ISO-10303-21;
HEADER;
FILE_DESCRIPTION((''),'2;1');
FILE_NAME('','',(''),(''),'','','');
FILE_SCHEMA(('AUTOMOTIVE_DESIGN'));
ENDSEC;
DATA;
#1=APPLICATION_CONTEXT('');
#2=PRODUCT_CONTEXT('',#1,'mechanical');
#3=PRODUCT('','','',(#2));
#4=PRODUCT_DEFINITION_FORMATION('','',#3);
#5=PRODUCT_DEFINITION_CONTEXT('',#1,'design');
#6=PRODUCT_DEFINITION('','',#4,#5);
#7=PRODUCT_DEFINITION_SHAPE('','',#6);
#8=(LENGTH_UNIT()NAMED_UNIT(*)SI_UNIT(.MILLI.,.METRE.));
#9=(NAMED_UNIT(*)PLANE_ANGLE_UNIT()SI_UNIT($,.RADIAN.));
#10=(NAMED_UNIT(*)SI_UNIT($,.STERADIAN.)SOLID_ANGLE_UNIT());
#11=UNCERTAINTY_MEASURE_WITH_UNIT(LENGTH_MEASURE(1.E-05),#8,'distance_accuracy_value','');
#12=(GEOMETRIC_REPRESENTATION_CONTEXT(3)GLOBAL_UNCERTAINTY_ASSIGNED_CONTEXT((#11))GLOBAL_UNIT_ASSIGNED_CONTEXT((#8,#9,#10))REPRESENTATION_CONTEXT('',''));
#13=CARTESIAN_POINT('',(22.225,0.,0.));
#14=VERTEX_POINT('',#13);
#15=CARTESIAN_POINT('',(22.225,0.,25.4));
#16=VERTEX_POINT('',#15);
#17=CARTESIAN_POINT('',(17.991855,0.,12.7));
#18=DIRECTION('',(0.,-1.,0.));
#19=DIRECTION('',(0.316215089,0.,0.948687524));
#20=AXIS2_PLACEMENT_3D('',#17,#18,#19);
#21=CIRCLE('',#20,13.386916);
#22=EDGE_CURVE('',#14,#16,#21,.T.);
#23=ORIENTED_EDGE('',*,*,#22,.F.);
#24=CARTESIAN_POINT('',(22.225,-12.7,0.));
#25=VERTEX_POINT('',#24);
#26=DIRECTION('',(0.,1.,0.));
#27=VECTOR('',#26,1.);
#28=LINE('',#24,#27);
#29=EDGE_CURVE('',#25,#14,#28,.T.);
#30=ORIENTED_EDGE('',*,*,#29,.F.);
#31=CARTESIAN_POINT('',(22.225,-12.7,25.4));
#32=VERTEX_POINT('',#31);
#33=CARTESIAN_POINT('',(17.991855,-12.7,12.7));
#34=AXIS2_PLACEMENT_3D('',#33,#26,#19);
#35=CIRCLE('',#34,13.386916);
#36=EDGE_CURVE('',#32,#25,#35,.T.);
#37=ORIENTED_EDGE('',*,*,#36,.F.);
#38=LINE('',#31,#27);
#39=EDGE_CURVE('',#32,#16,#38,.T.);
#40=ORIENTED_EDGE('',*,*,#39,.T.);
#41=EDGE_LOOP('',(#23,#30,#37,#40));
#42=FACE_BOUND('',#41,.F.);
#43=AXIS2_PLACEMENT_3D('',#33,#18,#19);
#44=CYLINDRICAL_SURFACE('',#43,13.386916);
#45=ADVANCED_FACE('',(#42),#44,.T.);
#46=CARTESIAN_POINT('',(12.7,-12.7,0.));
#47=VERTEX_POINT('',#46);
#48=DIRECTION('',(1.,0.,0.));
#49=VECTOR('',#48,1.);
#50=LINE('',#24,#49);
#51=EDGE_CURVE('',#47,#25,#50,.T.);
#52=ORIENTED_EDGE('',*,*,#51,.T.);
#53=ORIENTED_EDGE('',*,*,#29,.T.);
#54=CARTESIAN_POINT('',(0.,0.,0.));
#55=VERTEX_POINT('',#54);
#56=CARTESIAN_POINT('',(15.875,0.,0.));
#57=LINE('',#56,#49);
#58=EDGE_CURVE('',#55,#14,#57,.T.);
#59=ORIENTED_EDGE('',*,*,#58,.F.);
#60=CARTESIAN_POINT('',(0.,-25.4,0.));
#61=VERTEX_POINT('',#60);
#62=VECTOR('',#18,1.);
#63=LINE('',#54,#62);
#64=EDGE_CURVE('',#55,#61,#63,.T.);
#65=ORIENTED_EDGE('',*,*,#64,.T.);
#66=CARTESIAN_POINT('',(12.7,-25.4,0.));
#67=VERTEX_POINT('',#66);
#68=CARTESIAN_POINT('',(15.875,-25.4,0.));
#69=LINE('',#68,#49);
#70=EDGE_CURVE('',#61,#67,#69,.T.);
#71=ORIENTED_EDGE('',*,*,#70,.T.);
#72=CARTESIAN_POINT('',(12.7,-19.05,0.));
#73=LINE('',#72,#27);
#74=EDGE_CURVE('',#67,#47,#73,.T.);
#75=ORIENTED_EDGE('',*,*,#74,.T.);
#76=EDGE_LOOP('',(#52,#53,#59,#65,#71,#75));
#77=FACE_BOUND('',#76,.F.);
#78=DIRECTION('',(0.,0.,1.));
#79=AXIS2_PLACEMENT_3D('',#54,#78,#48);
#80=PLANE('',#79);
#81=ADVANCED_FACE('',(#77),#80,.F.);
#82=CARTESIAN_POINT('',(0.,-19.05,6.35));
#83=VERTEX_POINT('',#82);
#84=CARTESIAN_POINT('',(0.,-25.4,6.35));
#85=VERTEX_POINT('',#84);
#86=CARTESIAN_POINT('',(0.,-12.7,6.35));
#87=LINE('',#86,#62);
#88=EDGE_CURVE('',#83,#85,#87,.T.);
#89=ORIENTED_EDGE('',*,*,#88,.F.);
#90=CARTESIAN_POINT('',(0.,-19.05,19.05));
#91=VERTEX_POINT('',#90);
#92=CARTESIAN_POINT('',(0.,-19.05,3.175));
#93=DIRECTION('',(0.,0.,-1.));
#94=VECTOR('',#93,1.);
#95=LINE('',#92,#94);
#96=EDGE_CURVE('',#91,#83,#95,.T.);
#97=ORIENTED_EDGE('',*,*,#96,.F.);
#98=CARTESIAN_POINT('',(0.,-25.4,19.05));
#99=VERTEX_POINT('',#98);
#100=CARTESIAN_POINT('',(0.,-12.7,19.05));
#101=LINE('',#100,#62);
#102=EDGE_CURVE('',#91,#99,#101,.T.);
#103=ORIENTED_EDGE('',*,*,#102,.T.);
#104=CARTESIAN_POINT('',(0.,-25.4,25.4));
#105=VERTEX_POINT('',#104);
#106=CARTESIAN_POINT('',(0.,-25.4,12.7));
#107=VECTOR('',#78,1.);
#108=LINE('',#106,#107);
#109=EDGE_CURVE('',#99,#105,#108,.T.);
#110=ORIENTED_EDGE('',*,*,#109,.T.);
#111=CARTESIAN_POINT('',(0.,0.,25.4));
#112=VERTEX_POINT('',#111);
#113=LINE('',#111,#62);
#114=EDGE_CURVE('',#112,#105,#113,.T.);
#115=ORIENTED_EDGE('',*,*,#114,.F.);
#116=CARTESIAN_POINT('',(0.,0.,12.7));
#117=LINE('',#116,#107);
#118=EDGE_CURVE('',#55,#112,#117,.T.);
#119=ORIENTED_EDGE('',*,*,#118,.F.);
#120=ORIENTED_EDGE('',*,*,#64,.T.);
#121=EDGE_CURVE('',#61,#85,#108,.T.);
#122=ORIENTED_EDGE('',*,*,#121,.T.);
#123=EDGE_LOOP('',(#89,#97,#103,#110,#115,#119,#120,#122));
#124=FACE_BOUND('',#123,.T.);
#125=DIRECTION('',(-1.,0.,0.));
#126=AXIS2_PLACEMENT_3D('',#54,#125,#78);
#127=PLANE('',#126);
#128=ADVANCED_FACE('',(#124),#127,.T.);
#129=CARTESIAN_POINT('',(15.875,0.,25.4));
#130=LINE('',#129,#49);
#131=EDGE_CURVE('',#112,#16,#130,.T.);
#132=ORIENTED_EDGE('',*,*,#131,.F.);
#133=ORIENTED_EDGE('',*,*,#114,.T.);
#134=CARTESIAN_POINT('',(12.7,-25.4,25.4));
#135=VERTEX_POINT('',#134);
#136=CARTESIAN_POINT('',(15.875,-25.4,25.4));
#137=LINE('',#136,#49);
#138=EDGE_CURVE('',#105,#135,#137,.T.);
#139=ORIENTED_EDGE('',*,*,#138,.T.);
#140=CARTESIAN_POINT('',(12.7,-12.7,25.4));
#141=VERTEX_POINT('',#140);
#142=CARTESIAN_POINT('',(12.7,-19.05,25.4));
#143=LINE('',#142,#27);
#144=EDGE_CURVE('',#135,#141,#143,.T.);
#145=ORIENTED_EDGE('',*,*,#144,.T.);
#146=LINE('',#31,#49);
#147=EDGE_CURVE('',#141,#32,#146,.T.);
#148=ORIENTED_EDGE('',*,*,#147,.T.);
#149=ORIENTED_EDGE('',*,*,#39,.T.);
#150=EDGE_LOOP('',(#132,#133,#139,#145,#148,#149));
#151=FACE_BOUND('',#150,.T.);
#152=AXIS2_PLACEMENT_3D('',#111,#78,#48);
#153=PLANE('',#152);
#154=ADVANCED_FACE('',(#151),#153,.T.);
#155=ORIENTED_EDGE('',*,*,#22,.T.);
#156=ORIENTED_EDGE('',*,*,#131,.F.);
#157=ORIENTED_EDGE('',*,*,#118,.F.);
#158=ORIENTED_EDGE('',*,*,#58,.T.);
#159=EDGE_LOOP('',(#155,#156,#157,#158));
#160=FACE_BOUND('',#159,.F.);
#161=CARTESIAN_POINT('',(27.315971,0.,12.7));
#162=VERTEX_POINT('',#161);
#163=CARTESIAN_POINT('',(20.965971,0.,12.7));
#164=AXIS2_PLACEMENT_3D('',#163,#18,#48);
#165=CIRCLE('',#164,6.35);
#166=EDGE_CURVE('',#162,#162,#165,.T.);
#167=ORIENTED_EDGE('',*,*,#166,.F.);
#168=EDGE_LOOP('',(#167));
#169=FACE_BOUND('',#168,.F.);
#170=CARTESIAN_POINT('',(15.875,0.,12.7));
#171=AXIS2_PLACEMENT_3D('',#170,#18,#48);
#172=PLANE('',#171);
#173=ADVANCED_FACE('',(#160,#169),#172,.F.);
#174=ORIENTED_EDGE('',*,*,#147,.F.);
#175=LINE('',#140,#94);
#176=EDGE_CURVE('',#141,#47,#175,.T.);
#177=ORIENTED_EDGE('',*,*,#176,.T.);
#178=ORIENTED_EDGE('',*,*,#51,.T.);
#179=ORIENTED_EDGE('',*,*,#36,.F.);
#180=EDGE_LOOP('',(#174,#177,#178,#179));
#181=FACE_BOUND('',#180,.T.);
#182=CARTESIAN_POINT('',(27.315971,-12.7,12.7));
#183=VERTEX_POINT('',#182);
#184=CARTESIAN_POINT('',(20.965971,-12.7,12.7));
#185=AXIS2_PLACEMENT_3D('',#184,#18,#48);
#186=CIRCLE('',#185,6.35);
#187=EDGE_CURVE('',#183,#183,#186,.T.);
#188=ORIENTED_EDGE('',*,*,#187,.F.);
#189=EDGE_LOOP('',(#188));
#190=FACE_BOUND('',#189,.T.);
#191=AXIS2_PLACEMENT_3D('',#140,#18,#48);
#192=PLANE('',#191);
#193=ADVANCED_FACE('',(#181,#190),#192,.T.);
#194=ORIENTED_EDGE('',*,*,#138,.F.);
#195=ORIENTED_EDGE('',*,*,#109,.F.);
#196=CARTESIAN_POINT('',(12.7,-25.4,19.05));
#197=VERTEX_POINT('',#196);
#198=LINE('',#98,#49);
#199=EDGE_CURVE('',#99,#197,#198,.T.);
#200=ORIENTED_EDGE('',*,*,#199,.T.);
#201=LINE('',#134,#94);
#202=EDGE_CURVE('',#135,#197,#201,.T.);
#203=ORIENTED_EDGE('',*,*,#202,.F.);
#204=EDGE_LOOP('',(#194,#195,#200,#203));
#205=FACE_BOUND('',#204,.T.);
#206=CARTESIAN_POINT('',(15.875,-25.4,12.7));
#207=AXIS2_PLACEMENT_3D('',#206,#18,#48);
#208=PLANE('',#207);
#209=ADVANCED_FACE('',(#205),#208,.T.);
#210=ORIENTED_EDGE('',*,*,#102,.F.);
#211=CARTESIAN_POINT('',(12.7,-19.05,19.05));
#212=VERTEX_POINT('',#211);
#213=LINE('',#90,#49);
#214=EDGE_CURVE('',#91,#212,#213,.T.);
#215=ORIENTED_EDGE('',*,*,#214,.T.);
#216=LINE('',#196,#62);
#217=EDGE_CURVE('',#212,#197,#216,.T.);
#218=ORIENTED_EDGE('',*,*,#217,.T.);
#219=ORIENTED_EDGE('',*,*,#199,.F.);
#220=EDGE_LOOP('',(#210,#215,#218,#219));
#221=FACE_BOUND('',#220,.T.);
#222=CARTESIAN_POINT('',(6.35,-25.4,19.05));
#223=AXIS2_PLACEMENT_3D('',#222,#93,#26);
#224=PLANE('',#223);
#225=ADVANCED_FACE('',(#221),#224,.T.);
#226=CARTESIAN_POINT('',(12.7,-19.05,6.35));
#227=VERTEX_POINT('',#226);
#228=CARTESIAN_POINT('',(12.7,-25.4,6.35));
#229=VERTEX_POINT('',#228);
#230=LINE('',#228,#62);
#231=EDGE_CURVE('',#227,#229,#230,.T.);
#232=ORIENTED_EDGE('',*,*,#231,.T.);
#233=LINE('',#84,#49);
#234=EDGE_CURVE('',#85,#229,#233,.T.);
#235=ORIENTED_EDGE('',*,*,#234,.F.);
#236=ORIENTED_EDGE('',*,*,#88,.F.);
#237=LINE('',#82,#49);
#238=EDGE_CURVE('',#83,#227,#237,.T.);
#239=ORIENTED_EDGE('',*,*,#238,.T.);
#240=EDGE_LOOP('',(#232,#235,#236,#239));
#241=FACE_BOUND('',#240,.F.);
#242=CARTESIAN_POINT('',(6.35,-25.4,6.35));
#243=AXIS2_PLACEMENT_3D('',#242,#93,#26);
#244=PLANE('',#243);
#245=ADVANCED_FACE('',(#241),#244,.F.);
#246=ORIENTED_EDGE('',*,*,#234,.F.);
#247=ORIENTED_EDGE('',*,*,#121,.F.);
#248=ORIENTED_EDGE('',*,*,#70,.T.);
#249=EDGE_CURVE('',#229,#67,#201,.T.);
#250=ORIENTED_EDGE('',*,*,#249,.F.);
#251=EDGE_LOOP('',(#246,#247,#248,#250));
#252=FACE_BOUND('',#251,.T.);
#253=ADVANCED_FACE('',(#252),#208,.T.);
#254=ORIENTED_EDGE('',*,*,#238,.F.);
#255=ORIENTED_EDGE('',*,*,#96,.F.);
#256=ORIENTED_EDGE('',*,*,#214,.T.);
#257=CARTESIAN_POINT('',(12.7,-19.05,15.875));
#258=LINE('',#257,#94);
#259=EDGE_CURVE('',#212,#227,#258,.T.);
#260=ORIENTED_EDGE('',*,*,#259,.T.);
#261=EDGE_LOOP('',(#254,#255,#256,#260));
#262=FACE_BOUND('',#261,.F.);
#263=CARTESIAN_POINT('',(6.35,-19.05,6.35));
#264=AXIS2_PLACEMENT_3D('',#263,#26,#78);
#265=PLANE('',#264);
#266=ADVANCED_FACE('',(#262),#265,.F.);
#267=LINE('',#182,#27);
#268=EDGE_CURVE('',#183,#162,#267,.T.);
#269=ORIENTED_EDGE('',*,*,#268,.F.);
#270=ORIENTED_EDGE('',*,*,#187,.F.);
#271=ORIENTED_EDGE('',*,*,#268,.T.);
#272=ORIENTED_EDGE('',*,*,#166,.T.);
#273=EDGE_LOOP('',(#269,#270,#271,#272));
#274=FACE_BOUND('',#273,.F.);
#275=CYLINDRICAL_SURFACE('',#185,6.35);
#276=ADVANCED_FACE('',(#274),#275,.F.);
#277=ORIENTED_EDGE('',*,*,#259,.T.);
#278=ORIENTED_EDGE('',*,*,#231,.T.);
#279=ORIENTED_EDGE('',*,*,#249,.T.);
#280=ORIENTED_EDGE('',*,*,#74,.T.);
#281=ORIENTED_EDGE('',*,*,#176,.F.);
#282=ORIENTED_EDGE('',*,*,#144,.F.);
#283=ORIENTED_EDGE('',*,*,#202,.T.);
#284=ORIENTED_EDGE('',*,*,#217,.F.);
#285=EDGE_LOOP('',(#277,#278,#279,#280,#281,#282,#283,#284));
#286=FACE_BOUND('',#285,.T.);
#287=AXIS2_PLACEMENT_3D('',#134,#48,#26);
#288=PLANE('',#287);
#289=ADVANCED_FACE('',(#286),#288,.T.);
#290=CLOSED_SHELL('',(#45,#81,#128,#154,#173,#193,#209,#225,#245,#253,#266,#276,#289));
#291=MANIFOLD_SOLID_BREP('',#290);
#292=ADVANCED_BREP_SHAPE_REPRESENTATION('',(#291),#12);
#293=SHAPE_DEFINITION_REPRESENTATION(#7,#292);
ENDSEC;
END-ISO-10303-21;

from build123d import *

# Parameters (mm, degrees)
F0_W      = 31.75
F0_H      = 25.4
F1_DEPTH  = 25.4
F2_W      = 6.35
F2_H      = 12.7
F3_DEPTH  = 25.4
F4_DEPTH  = 25.4
F5_W      = 19.05
F5_H      = 12.7
F6_DEPTH  = 25.4
F7_R      = 6.35
F8_DEPTH  = 12.7
F10_DEPTH = 25.4


with BuildPart() as f1:
    # F0 (on Front) → F1 (new body)
    with BuildSketch(Plane.XZ):
        with Locations((15.875, 12.7)):
            Rectangle(F0_W, F0_H)
    extrude(amount=F1_DEPTH)

    # F2 (on face) → F3 (cut)
    with BuildSketch(Plane.YZ.offset(31.75)):
        with Locations((-22.225, 12.7)):
            Rectangle(F2_W, F2_H)
    extrude(amount=-F3_DEPTH, mode=Mode.SUBTRACT)

    # F4 (cut): a face of the model
    f4_faces = [f1.faces().sort_by_distance(p)[0] for p in [
        (6.35, -22.225, 12.7),
    ]]
    extrude(f4_faces, amount=-F4_DEPTH, mode=Mode.SUBTRACT)

    # F5 (on face) → F6 (cut)
    with BuildSketch(Plane.XY.offset(25.4)):
        with Locations((22.225, -19.05)):
            Rectangle(F5_W, F5_H)
    extrude(amount=-F6_DEPTH, mode=Mode.SUBTRACT)

    # F7 (on face) → F8 (cut, through all)
    with BuildSketch(Plane.XZ.offset(12.7)):
        with Locations((20.9659710526, 12.7)):
            Circle(F7_R)
    extrude(amount=-F8_DEPTH, mode=Mode.SUBTRACT)

    # F9 (on face) → F10 (cut)
    with BuildSketch(Plane.XZ.offset(12.7)):
        with BuildLine():
            ThreePointArc((22.225, 25.4), (31.3787710318, 12.7), (22.225, 0))
            Line((22.225, 0), (31.75, 0))
            Line((31.75, 0), (31.75, 25.4))
            Line((31.75, 25.4), (22.225, 25.4))
        make_face()
    extrude(amount=-F10_DEPTH, mode=Mode.SUBTRACT)


solid = f1.part
